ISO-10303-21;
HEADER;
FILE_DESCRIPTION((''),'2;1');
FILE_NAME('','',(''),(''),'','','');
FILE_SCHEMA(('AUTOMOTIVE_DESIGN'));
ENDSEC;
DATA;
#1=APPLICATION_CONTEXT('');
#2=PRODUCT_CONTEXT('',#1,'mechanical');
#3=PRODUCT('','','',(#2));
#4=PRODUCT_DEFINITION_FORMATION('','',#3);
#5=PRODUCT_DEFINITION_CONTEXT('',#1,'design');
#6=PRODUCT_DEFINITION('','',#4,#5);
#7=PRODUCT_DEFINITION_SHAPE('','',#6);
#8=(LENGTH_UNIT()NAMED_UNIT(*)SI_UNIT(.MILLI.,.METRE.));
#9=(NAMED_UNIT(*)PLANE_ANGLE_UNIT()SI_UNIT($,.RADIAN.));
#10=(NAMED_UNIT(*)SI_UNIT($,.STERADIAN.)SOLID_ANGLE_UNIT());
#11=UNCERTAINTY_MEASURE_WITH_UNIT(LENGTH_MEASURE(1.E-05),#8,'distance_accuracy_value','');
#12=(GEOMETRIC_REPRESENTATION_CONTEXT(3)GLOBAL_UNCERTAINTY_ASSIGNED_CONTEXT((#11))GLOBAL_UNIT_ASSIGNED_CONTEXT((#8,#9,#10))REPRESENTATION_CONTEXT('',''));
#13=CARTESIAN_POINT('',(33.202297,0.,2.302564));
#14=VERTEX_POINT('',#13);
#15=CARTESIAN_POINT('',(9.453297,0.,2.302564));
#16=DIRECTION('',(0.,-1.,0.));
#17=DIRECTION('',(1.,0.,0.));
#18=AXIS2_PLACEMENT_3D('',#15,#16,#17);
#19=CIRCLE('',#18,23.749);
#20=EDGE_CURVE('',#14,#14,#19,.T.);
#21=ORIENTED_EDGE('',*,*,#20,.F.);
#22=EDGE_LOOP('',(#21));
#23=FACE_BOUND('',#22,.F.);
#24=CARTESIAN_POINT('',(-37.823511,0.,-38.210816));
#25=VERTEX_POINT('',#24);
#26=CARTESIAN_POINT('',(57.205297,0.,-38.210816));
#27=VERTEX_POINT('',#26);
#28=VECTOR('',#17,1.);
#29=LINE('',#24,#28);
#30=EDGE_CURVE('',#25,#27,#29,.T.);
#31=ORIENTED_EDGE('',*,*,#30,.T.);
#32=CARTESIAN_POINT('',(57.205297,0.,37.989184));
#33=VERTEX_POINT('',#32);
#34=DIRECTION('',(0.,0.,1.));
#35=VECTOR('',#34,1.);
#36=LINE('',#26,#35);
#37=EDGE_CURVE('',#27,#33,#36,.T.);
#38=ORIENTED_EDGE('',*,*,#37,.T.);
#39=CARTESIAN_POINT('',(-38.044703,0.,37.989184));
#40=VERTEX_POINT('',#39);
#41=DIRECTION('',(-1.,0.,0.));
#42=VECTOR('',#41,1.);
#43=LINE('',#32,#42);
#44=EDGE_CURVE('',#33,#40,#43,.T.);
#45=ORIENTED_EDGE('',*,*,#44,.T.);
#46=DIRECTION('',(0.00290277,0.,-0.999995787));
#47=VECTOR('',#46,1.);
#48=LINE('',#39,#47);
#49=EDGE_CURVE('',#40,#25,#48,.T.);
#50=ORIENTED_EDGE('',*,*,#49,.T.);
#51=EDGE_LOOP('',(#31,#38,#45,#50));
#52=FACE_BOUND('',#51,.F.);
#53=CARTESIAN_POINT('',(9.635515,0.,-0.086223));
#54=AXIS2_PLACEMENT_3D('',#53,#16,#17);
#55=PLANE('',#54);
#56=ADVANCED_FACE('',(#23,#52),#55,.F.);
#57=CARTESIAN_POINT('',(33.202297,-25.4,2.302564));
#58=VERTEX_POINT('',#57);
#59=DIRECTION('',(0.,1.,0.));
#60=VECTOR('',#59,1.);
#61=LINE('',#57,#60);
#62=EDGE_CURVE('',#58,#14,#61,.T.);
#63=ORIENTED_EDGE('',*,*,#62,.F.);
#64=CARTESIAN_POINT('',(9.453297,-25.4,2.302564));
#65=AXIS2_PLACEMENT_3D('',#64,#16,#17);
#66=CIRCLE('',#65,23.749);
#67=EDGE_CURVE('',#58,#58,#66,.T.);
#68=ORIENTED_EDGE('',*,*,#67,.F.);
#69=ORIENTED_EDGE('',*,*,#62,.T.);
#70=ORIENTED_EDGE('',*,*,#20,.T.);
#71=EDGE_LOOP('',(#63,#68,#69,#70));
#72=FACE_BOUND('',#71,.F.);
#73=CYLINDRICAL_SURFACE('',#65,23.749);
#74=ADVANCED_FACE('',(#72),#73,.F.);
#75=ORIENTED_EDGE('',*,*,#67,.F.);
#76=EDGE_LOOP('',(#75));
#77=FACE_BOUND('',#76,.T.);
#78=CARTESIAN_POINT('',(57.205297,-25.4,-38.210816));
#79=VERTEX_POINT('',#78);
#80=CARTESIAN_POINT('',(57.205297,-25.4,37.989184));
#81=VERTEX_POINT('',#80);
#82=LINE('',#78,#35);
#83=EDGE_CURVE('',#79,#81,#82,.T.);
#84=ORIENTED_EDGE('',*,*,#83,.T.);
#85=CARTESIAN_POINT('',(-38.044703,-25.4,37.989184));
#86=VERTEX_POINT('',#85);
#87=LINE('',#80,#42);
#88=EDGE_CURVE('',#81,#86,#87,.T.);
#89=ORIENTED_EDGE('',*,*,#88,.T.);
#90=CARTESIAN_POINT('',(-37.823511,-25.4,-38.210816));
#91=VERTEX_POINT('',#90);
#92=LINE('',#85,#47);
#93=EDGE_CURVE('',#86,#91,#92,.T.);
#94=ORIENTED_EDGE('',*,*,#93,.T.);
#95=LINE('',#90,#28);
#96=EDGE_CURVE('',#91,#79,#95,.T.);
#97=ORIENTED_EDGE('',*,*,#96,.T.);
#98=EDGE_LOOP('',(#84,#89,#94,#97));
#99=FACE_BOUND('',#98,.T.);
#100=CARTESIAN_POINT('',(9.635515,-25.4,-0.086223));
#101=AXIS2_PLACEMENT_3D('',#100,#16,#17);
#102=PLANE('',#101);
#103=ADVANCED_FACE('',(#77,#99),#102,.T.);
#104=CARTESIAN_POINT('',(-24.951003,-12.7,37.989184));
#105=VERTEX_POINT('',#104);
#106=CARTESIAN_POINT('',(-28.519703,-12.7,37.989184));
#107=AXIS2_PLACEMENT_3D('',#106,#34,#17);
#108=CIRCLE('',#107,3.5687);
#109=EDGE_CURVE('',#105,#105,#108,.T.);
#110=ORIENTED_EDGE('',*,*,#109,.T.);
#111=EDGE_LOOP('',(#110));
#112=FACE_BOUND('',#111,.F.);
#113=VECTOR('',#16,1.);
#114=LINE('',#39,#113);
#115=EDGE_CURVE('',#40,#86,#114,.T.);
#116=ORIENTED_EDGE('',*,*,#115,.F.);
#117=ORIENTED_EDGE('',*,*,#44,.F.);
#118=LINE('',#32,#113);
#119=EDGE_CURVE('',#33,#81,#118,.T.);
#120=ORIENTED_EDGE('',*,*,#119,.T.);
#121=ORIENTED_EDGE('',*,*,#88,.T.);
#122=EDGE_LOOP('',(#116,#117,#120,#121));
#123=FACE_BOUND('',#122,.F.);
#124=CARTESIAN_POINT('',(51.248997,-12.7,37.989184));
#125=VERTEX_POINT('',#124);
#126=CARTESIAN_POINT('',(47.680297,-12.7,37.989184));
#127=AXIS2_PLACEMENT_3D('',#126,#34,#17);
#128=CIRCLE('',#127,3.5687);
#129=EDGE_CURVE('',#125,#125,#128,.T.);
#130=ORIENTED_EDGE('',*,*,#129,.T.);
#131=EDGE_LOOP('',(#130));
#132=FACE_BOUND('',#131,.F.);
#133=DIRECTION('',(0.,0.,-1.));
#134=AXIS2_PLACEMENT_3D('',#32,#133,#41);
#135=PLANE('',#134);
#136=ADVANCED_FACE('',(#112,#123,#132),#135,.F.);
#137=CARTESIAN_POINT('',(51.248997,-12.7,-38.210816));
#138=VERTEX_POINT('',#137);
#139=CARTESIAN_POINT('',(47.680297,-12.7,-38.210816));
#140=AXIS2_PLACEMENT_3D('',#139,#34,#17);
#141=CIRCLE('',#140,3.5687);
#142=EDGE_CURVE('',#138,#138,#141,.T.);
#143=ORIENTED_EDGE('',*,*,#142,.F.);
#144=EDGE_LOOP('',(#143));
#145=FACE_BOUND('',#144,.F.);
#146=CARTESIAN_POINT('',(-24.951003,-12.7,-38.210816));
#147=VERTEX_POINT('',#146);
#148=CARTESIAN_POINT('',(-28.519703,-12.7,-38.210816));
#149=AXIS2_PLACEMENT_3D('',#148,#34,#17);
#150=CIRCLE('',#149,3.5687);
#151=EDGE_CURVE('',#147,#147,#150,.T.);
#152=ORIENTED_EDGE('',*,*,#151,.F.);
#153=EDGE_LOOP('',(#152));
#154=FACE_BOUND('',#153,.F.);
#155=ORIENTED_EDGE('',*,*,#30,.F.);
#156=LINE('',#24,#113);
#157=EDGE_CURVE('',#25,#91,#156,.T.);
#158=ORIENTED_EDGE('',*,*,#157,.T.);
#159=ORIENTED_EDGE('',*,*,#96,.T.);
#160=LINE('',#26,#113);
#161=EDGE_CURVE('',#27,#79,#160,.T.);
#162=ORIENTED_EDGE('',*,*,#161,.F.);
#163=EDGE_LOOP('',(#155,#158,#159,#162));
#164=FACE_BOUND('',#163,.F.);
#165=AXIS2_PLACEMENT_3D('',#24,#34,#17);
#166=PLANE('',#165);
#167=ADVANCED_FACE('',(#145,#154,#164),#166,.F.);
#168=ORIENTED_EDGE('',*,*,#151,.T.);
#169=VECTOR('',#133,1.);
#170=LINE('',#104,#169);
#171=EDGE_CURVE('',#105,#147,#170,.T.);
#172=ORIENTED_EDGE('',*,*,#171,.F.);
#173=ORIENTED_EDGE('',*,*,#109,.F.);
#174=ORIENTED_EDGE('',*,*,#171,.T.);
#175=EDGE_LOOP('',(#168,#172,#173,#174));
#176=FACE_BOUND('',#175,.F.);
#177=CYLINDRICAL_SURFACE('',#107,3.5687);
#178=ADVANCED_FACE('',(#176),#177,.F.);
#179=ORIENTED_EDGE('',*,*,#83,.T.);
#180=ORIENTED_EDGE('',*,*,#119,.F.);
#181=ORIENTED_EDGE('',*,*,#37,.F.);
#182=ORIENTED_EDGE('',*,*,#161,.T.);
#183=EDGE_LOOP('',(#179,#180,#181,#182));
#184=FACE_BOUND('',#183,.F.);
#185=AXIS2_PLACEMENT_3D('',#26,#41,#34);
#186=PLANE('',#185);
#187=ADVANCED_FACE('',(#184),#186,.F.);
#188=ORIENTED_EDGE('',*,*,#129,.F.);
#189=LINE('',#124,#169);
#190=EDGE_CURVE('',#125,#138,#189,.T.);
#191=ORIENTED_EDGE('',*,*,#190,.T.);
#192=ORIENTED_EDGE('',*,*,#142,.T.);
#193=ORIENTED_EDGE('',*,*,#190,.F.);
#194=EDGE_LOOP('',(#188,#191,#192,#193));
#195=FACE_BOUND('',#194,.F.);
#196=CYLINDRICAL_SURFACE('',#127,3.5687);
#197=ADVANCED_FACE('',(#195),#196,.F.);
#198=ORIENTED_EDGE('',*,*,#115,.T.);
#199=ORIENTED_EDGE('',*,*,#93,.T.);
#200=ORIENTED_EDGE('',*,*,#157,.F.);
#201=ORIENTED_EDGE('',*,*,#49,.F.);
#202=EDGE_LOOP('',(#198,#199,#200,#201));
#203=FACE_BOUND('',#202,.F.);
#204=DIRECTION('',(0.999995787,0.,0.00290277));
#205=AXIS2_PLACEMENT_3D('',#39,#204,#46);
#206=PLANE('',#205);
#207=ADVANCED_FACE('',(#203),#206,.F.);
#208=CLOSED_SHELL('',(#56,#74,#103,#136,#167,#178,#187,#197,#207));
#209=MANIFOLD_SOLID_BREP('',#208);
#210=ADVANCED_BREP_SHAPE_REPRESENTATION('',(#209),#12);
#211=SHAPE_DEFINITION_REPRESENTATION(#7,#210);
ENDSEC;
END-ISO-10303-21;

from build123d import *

# Parameters (mm, degrees)
F1_DEPTH = 25.4
F2_R     = 23.749
F3_DEPTH = 25.401
F4_R     = 3.5687
F5_DEPTH = 76.201


with BuildPart() as f1:
    # F0 (on Front) → F1 (new body)
    with BuildSketch(Plane.XZ):
        Polygon((57.205297, 37.989184), (-38.044703, 37.989184), (-37.823511, -38.210816), (57.205297, -38.210816), align=None)
    extrude(amount=F1_DEPTH)

    # F2 (on face) → F3 (cut, through all)
    with BuildSketch(Plane.XZ.offset(25.4)):
        with Locations((9.453297, 2.302564)):
            Circle(F2_R)
    extrude(amount=-F3_DEPTH, mode=Mode.SUBTRACT)

    # F4 (on face) → F5 (cut, through all)
    with BuildSketch(Plane.XY.offset(37.989184)):
        with Locations((-28.519703, -12.7)):
            Circle(F4_R)
        with Locations((47.680297, -12.7)):
            Circle(F4_R)
    extrude(amount=-F5_DEPTH, mode=Mode.SUBTRACT)


solid = f1.part
